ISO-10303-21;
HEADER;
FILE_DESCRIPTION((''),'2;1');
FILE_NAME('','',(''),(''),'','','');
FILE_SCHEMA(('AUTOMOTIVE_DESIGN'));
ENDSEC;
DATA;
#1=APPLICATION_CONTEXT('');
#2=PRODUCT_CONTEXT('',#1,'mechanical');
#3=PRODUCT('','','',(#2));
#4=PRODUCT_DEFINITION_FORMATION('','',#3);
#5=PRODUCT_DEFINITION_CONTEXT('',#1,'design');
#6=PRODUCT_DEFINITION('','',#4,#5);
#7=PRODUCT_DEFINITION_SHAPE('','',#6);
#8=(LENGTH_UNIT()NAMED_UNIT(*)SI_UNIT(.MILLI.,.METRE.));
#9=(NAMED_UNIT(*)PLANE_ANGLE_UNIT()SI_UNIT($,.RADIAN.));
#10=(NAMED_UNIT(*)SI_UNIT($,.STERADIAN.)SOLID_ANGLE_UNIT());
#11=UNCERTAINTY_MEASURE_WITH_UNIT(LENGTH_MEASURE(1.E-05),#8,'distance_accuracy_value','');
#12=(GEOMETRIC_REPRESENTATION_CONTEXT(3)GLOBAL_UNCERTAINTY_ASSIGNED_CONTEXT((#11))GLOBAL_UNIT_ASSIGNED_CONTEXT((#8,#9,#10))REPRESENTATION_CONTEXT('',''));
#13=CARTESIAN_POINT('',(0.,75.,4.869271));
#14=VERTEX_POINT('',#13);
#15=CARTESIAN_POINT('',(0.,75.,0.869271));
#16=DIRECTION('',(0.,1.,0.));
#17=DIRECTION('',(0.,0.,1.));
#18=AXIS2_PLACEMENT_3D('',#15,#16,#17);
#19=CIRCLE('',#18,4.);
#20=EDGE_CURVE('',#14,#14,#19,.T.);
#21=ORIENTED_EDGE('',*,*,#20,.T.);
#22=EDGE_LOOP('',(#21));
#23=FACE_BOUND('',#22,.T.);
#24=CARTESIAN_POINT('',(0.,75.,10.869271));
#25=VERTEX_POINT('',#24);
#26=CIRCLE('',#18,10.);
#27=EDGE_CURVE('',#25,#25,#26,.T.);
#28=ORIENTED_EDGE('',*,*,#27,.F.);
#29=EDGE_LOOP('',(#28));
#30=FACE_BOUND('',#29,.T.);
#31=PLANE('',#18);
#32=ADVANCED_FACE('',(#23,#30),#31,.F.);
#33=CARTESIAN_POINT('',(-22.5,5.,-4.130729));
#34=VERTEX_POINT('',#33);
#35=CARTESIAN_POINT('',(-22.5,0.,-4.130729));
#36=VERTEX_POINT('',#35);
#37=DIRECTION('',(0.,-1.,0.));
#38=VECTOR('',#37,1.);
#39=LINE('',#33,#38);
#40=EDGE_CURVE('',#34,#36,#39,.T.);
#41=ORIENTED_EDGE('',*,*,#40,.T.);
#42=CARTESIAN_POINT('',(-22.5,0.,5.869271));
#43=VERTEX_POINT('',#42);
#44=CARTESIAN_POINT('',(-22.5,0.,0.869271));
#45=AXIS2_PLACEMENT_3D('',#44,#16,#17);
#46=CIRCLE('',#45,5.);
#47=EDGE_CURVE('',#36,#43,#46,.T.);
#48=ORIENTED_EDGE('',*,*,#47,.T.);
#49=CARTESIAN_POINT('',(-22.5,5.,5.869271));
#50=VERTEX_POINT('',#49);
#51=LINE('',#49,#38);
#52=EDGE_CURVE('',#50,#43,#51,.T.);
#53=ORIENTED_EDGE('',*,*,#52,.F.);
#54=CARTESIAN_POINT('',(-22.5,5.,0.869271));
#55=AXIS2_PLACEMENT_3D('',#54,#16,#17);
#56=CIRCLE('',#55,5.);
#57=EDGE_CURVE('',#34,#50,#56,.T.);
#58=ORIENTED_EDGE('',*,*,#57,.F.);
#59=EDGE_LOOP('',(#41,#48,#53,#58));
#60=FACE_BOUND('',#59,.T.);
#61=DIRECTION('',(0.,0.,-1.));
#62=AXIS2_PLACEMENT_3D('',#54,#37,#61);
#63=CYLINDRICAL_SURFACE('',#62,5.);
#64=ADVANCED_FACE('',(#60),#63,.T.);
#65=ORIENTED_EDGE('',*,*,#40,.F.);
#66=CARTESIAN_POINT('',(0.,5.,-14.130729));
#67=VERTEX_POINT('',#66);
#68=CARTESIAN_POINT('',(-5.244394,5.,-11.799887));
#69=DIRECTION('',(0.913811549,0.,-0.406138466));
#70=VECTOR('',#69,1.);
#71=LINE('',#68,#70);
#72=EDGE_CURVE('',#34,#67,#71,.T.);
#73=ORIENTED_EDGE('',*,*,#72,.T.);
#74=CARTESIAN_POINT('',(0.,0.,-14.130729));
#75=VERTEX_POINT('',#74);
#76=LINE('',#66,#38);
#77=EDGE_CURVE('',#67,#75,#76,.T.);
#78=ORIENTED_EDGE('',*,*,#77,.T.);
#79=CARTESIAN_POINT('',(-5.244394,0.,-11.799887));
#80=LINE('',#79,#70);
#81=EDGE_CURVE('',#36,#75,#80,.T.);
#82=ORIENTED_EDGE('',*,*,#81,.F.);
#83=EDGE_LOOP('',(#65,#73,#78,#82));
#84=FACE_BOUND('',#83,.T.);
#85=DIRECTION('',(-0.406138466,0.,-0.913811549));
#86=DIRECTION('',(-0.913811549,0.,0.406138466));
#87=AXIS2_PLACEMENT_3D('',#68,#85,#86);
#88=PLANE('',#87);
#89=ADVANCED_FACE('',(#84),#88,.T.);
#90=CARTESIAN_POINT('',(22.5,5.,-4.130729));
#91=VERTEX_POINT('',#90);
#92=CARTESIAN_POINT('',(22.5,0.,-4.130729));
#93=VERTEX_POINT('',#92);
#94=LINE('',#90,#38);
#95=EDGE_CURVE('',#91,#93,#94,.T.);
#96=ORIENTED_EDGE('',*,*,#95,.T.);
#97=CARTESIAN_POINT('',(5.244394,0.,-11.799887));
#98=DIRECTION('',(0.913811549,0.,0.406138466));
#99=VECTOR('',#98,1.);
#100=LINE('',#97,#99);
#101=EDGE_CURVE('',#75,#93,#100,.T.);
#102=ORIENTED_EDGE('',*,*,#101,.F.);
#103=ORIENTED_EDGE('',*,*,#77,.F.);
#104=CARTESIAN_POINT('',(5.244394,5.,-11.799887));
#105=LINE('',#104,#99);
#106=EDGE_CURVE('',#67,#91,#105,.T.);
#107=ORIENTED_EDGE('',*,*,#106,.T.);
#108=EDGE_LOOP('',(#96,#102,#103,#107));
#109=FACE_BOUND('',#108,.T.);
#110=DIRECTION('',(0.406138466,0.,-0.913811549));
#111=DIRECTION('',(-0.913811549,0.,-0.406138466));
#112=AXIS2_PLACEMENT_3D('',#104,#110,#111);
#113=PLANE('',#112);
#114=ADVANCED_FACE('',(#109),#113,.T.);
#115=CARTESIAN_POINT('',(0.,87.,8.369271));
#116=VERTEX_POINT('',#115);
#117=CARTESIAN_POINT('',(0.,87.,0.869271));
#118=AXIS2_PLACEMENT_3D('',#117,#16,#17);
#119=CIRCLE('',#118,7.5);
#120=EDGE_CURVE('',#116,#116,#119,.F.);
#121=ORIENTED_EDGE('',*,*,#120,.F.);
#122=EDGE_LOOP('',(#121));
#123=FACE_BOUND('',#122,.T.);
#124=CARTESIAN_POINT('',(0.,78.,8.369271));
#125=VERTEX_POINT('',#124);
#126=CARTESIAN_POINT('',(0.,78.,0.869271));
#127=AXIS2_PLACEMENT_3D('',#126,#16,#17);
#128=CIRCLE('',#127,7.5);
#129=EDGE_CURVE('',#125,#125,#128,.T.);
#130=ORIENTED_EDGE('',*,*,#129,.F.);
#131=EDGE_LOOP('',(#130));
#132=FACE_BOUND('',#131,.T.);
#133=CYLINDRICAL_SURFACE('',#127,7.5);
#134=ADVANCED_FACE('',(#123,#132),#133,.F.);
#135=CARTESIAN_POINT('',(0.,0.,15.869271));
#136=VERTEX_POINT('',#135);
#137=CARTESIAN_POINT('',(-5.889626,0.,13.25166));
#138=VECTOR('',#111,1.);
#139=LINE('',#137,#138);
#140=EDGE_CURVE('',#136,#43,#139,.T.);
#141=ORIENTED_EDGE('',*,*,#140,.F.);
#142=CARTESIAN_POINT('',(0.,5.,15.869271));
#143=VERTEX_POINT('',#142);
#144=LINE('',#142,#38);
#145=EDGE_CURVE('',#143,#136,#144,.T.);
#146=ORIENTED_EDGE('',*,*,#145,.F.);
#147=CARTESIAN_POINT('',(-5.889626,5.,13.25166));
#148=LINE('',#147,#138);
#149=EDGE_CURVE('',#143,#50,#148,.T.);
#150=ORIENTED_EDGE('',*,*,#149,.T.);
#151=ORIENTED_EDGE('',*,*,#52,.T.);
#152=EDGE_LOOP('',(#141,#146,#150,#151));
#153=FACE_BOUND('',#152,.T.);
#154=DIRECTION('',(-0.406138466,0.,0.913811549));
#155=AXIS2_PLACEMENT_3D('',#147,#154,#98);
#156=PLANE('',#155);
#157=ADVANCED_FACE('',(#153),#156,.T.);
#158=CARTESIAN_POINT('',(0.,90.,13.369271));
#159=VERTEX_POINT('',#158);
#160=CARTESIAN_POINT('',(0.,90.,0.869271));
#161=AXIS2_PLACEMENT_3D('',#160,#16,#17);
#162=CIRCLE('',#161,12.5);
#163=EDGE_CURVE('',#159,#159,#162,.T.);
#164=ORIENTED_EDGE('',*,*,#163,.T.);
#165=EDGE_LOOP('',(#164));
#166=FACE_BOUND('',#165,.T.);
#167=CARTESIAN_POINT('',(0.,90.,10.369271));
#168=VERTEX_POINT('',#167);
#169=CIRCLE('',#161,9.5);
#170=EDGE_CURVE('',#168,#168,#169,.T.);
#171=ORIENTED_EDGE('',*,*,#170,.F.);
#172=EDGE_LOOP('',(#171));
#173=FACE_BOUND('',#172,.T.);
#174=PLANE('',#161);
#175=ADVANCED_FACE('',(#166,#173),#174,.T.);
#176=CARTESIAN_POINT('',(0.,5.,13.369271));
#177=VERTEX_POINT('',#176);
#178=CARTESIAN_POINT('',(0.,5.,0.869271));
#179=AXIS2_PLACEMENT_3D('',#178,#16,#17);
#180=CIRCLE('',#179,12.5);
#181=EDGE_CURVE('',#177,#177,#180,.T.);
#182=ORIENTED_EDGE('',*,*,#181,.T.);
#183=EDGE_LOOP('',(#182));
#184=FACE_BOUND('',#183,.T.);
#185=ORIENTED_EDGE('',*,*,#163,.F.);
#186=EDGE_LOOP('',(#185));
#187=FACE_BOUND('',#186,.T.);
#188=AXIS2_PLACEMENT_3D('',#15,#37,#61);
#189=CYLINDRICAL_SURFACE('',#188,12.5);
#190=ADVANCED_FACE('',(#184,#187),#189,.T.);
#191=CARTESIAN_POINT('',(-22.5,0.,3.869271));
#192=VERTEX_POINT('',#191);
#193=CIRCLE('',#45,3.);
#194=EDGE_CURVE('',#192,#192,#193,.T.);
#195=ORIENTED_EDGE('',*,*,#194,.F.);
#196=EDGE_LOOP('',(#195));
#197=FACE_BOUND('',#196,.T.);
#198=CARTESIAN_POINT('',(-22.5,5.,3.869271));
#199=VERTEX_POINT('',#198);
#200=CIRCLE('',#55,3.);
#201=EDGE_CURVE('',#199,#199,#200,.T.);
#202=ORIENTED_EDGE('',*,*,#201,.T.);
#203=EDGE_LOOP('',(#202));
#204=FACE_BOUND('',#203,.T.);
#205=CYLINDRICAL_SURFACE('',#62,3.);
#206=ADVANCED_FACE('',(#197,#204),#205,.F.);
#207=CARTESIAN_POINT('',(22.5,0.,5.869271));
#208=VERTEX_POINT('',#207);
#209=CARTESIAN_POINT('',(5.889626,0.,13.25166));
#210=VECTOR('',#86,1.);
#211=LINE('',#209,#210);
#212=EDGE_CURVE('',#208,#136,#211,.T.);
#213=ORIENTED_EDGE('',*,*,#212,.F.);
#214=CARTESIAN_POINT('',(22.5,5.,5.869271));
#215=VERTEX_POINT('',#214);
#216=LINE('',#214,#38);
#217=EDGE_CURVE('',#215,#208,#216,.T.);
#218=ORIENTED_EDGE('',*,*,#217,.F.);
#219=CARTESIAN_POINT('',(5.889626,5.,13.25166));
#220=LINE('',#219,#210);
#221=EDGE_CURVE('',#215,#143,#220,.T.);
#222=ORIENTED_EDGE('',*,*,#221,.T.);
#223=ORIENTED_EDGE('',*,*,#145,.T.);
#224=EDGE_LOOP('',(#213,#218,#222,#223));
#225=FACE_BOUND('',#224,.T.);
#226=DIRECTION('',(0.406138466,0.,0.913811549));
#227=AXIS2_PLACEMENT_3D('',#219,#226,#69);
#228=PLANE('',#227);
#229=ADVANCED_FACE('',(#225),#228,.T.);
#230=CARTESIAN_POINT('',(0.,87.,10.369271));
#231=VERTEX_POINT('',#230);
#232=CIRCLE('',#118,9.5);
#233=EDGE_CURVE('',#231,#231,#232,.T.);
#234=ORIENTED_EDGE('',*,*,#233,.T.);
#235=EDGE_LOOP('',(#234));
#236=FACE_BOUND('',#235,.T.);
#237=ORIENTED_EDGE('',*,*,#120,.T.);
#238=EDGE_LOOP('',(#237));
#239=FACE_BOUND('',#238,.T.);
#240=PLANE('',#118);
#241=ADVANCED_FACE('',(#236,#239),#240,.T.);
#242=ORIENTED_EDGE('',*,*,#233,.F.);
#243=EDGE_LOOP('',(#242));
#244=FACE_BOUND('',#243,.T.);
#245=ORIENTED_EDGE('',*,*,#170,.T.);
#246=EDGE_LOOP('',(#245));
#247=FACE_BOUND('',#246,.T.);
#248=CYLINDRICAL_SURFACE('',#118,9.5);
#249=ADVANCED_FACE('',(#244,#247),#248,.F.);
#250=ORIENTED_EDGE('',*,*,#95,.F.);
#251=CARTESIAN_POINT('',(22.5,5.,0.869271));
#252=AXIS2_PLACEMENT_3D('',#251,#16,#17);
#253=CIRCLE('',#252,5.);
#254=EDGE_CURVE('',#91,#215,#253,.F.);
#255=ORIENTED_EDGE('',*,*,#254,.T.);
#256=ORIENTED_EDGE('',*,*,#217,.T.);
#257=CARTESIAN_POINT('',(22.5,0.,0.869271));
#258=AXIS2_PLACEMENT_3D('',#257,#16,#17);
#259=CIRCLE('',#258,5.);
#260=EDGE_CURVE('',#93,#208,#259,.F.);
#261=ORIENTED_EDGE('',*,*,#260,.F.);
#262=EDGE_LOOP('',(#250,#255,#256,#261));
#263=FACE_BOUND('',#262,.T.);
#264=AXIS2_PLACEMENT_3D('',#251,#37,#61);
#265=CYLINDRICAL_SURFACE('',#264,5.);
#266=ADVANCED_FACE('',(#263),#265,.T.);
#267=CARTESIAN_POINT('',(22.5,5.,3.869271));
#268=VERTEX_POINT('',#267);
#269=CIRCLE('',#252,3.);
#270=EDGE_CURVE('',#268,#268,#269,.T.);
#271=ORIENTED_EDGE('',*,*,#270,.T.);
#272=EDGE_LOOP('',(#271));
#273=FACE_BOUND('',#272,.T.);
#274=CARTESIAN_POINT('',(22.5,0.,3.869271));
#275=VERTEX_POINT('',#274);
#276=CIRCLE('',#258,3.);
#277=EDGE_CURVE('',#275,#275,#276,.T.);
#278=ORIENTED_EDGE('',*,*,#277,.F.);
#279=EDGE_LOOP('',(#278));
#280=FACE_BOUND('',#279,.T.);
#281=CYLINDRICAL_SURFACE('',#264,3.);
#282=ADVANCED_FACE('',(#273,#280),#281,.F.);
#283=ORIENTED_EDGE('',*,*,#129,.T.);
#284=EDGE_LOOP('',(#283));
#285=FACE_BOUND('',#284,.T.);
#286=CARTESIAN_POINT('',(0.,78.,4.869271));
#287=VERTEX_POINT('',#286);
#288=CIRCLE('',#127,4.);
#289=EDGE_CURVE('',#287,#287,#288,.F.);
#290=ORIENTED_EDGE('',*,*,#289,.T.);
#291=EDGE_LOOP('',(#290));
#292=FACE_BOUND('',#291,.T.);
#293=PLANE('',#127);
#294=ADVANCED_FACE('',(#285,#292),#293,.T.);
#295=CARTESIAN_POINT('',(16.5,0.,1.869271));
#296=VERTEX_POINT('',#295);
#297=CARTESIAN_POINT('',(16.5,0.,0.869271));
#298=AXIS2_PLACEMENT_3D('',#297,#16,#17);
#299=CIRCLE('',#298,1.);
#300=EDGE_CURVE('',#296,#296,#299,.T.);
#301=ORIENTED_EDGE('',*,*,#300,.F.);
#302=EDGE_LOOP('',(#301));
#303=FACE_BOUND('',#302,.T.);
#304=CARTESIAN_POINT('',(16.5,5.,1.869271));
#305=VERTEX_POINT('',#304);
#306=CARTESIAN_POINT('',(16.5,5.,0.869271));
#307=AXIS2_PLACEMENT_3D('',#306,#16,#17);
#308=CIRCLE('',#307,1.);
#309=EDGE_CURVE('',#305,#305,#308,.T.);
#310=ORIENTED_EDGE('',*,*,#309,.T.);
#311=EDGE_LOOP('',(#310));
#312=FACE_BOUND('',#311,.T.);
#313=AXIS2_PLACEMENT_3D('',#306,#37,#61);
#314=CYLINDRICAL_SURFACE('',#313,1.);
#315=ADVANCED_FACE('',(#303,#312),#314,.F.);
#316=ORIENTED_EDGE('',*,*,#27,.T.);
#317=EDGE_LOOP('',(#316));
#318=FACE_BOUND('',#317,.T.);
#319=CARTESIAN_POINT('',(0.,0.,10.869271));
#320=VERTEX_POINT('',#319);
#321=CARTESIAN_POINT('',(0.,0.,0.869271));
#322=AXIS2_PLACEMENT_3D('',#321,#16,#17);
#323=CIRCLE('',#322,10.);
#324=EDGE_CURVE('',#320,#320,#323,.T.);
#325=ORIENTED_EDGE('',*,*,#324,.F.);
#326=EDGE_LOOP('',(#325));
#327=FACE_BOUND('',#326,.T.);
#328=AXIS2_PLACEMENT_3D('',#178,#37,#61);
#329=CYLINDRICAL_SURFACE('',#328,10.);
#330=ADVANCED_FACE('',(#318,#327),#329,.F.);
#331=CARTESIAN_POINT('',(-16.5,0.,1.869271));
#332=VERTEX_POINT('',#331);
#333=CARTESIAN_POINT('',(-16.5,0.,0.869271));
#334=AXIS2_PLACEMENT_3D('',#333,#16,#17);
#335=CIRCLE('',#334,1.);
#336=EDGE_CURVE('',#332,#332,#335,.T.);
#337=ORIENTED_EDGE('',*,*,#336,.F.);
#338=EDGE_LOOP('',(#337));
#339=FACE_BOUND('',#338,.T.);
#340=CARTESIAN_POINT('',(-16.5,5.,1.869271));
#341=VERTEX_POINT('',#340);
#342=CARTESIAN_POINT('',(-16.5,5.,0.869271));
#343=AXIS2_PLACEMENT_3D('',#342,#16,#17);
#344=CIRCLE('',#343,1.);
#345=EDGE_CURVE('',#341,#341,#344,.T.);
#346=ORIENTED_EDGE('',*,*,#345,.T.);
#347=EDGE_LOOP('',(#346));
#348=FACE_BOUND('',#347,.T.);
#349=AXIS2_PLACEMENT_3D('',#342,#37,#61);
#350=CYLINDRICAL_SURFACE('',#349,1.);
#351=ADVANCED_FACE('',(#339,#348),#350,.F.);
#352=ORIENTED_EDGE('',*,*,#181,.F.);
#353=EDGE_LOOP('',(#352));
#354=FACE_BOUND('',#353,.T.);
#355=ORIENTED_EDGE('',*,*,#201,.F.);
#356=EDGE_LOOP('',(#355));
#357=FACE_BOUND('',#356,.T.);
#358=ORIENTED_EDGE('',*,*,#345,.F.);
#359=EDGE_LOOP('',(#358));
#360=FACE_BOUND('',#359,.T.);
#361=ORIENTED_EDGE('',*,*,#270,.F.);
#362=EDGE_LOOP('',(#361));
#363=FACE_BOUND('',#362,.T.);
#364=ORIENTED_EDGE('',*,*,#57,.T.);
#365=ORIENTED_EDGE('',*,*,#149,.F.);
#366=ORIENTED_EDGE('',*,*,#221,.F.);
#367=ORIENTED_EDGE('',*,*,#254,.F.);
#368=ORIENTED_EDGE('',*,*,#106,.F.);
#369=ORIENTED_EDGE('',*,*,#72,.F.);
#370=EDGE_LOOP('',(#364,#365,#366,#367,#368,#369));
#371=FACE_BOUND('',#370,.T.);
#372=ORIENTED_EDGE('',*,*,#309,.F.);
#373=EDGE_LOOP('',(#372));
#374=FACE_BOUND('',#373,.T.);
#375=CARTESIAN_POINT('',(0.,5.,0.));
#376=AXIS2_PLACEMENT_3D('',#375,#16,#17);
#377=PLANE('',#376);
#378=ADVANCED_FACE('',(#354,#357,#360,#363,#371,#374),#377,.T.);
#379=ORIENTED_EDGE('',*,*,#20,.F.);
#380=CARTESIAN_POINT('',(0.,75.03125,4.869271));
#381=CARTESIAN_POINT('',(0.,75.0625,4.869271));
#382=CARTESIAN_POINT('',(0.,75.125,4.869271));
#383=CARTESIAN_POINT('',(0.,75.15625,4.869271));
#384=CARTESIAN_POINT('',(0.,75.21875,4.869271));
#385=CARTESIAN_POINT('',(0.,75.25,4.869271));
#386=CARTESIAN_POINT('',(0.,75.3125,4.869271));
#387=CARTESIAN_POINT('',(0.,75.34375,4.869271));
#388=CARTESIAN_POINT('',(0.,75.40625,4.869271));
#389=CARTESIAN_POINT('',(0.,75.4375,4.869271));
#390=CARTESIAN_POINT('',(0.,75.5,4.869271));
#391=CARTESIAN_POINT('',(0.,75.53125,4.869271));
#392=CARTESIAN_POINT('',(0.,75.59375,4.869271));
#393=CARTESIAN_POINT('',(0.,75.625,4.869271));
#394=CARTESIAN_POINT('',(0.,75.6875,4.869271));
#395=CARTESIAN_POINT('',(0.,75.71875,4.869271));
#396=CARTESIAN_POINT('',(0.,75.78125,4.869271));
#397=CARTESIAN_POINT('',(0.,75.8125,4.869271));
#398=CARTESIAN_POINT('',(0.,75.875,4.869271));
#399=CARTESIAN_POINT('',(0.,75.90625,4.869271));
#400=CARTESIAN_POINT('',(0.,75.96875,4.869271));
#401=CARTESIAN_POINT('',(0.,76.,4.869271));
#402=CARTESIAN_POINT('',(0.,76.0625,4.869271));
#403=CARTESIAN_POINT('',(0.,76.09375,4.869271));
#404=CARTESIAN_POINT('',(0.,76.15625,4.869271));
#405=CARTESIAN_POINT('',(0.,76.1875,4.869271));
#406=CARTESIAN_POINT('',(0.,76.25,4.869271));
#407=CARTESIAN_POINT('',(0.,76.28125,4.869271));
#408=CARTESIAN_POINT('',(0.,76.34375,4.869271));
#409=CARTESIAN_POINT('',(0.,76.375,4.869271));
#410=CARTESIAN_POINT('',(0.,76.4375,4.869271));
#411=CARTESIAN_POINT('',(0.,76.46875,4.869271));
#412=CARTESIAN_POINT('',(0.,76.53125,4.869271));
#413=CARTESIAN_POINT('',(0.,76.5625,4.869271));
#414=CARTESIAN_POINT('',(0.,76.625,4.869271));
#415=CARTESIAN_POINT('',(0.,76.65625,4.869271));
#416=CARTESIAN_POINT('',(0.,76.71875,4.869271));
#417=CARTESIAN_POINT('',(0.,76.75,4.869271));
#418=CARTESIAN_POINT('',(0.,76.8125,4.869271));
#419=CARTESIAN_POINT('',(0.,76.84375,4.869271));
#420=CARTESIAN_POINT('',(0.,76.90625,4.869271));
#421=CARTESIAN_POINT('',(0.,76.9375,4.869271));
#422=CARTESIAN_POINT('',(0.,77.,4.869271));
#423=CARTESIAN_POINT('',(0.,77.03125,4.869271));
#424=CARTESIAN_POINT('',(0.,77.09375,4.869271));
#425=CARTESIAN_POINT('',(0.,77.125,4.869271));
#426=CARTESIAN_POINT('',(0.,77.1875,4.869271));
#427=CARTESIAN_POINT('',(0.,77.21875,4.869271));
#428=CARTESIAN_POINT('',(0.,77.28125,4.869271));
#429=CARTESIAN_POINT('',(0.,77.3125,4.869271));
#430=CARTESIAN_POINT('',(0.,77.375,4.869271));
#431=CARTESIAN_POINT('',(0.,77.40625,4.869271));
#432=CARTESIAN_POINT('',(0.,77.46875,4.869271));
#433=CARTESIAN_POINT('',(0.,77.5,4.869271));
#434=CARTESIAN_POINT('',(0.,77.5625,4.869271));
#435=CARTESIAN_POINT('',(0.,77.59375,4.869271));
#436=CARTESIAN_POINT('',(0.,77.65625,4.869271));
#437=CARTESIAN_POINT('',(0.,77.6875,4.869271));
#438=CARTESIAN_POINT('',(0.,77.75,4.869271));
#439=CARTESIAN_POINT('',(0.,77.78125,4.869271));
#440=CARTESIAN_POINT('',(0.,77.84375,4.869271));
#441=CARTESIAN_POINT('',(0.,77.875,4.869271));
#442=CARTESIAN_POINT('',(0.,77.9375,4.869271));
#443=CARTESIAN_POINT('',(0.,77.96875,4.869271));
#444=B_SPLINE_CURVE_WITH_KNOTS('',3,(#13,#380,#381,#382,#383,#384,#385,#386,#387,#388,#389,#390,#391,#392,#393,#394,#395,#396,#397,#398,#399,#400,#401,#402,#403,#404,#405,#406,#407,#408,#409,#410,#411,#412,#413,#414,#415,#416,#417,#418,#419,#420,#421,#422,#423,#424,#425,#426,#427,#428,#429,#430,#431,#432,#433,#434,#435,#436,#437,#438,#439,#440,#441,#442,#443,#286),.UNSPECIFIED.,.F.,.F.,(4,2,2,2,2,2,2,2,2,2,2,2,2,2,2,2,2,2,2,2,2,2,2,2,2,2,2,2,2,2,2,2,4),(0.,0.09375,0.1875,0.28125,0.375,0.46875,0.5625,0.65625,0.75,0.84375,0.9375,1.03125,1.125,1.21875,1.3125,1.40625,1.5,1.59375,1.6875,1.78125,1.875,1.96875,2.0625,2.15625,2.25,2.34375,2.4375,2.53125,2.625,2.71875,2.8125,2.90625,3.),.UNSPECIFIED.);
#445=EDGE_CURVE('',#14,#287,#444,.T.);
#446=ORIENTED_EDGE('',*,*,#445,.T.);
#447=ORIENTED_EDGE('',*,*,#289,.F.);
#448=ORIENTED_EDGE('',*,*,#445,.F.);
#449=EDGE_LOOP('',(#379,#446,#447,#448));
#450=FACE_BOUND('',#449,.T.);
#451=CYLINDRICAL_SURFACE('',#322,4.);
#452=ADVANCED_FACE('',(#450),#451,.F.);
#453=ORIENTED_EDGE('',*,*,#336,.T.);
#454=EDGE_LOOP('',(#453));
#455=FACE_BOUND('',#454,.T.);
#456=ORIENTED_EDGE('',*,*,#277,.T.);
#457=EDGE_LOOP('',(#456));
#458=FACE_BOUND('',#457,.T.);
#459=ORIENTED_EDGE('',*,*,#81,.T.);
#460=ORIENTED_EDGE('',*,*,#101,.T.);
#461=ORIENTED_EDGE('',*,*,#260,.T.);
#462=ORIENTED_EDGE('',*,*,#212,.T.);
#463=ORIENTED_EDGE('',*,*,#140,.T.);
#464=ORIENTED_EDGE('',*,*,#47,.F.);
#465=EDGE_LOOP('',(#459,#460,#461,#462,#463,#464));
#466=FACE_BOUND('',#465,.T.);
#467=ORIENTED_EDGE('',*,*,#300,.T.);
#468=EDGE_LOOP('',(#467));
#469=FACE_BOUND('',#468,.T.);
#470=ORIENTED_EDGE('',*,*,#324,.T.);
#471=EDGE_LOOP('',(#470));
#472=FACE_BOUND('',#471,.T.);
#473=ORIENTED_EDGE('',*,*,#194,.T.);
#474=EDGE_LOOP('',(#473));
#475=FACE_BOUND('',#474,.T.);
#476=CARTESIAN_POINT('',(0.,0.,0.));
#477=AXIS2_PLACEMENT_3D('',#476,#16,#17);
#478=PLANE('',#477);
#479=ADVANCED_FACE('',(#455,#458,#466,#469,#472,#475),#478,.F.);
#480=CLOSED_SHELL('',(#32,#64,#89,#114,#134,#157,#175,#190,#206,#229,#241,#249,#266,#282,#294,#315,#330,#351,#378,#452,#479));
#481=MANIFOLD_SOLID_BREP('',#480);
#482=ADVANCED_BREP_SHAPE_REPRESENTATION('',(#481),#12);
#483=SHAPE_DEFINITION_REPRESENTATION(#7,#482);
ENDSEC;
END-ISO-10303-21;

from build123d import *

# Parameters (mm, degrees)
SKETCH_1_R          = 3
SKETCH_1_R_2        = 10
SKETCH_1_R_3        = 1
EXTRUDE_1_DEPTH     = 5
SKETCH_2_R          = 12.5
SKETCH_2_R_2        = 10
EXTRUDE_2_DEPTH     = 70
SKETCH_3_R          = 12.5
EXTRUDE_3_DEPTH     = 15
SKETCH_4_R          = 4
CUT_EXTRUDE_1_DEPTH = 96.436281211
SKETCH_5_R          = 7.5
CUT_EXTRUDE_2_DEPTH = 12
SKETCH_6_R          = 9.5
CUT_EXTRUDE_3_DEPTH = 3


with BuildPart() as part:
    # Эскиз1 → Бобышка-Вытянуть1 (new body)
    with BuildSketch(Plane(origin=(0, 0, 0), x_dir=(1, 0, 0), z_dir=(0, 1, 0))):
        with BuildLine():
            Line((-22.5, 4.130728704), (0, 14.130728704))
            Line((0, 14.130728704), (22.5, 4.130728704))
            ThreePointArc((22.5, 4.130728704), (27.5, -0.869271296), (22.5, -5.869271296))
            Line((22.5, -5.869271296), (0, -15.869271296))
            Line((0, -15.869271296), (-22.5, -5.869271296))
            ThreePointArc((-22.5, -5.869271296), (-27.5, -0.869271296), (-22.5, 4.130728704))
        make_face()
        with Locations(Location((-22.5, -0.869271296, 0), (0, 0, 270))):
            Circle(SKETCH_1_R, mode=Mode.SUBTRACT)
        with Locations(Location((0, -0.869271296, 0), (0, 0, 270))):
            Circle(SKETCH_1_R_2, mode=Mode.SUBTRACT)
        with Locations(Location((22.5, -0.869271296, 0), (0, 0, 270))):
            Circle(SKETCH_1_R, mode=Mode.SUBTRACT)
        with Locations(Location((-16.5, -0.869271296, 0), (0, 0, 270))):
            Circle(SKETCH_1_R_3, mode=Mode.SUBTRACT)
        with Locations(Location((16.5, -0.869271296, 0), (0, 0, 270))):
            Circle(SKETCH_1_R_3, mode=Mode.SUBTRACT)
    extrude(amount=EXTRUDE_1_DEPTH)

    # Эскиз2 → Бобышка-Вытянуть2 (add)
    with BuildSketch(Plane(origin=(0, 5, 0), x_dir=(1, 0, 0), z_dir=(0, 1, 0))):
        with Locations(Location((0, -0.869271296, 0), (0, 0, 270))):
            Circle(SKETCH_2_R)
        with Locations(Location((0, -0.869271296, 0), (0, 0, 270))):
            Circle(SKETCH_2_R_2, mode=Mode.SUBTRACT)
    extrude(amount=EXTRUDE_2_DEPTH)

    # Эскиз3 → Бобышка-Вытянуть3 (add)
    with BuildSketch(Plane(origin=(0, 75, 0), x_dir=(1, 0, 0), z_dir=(0, 1, 0))):
        with Locations(Location((0, -0.869271296, 0), (0, 0, 270))):
            Circle(SKETCH_3_R)
    extrude(amount=EXTRUDE_3_DEPTH)

    # Эскиз4 → Вырез-Вытянуть1 (cut, through all)
    with BuildSketch(Plane(origin=(0, 90, 0), x_dir=(1, 0, 0), z_dir=(0, 1, 0))):
        with Locations(Location((0, -0.869271296, 0), (0, 0, 270))):
            Circle(SKETCH_4_R)
    extrude(amount=-CUT_EXTRUDE_1_DEPTH, mode=Mode.SUBTRACT)

    # Эскиз5 → Вырез-Вытянуть2 (cut)
    with BuildSketch(Plane(origin=(0, 90, 0), x_dir=(1, 0, 0), z_dir=(0, 1, 0))):
        with Locations(Location((0, -0.869271296, 0), (0, 0, 270))):
            Circle(SKETCH_5_R)
    extrude(amount=-CUT_EXTRUDE_2_DEPTH, mode=Mode.SUBTRACT)

    # Эскиз6 → Вырез-Вытянуть3 (cut)
    with BuildSketch(Plane(origin=(0, 90, 0), x_dir=(1, 0, 0), z_dir=(0, 1, 0))):
        with Locations(Location((0, -0.869271296, 0), (0, 0, 270))):
            Circle(SKETCH_6_R)
    extrude(amount=-CUT_EXTRUDE_3_DEPTH, mode=Mode.SUBTRACT)


solid = part.part
